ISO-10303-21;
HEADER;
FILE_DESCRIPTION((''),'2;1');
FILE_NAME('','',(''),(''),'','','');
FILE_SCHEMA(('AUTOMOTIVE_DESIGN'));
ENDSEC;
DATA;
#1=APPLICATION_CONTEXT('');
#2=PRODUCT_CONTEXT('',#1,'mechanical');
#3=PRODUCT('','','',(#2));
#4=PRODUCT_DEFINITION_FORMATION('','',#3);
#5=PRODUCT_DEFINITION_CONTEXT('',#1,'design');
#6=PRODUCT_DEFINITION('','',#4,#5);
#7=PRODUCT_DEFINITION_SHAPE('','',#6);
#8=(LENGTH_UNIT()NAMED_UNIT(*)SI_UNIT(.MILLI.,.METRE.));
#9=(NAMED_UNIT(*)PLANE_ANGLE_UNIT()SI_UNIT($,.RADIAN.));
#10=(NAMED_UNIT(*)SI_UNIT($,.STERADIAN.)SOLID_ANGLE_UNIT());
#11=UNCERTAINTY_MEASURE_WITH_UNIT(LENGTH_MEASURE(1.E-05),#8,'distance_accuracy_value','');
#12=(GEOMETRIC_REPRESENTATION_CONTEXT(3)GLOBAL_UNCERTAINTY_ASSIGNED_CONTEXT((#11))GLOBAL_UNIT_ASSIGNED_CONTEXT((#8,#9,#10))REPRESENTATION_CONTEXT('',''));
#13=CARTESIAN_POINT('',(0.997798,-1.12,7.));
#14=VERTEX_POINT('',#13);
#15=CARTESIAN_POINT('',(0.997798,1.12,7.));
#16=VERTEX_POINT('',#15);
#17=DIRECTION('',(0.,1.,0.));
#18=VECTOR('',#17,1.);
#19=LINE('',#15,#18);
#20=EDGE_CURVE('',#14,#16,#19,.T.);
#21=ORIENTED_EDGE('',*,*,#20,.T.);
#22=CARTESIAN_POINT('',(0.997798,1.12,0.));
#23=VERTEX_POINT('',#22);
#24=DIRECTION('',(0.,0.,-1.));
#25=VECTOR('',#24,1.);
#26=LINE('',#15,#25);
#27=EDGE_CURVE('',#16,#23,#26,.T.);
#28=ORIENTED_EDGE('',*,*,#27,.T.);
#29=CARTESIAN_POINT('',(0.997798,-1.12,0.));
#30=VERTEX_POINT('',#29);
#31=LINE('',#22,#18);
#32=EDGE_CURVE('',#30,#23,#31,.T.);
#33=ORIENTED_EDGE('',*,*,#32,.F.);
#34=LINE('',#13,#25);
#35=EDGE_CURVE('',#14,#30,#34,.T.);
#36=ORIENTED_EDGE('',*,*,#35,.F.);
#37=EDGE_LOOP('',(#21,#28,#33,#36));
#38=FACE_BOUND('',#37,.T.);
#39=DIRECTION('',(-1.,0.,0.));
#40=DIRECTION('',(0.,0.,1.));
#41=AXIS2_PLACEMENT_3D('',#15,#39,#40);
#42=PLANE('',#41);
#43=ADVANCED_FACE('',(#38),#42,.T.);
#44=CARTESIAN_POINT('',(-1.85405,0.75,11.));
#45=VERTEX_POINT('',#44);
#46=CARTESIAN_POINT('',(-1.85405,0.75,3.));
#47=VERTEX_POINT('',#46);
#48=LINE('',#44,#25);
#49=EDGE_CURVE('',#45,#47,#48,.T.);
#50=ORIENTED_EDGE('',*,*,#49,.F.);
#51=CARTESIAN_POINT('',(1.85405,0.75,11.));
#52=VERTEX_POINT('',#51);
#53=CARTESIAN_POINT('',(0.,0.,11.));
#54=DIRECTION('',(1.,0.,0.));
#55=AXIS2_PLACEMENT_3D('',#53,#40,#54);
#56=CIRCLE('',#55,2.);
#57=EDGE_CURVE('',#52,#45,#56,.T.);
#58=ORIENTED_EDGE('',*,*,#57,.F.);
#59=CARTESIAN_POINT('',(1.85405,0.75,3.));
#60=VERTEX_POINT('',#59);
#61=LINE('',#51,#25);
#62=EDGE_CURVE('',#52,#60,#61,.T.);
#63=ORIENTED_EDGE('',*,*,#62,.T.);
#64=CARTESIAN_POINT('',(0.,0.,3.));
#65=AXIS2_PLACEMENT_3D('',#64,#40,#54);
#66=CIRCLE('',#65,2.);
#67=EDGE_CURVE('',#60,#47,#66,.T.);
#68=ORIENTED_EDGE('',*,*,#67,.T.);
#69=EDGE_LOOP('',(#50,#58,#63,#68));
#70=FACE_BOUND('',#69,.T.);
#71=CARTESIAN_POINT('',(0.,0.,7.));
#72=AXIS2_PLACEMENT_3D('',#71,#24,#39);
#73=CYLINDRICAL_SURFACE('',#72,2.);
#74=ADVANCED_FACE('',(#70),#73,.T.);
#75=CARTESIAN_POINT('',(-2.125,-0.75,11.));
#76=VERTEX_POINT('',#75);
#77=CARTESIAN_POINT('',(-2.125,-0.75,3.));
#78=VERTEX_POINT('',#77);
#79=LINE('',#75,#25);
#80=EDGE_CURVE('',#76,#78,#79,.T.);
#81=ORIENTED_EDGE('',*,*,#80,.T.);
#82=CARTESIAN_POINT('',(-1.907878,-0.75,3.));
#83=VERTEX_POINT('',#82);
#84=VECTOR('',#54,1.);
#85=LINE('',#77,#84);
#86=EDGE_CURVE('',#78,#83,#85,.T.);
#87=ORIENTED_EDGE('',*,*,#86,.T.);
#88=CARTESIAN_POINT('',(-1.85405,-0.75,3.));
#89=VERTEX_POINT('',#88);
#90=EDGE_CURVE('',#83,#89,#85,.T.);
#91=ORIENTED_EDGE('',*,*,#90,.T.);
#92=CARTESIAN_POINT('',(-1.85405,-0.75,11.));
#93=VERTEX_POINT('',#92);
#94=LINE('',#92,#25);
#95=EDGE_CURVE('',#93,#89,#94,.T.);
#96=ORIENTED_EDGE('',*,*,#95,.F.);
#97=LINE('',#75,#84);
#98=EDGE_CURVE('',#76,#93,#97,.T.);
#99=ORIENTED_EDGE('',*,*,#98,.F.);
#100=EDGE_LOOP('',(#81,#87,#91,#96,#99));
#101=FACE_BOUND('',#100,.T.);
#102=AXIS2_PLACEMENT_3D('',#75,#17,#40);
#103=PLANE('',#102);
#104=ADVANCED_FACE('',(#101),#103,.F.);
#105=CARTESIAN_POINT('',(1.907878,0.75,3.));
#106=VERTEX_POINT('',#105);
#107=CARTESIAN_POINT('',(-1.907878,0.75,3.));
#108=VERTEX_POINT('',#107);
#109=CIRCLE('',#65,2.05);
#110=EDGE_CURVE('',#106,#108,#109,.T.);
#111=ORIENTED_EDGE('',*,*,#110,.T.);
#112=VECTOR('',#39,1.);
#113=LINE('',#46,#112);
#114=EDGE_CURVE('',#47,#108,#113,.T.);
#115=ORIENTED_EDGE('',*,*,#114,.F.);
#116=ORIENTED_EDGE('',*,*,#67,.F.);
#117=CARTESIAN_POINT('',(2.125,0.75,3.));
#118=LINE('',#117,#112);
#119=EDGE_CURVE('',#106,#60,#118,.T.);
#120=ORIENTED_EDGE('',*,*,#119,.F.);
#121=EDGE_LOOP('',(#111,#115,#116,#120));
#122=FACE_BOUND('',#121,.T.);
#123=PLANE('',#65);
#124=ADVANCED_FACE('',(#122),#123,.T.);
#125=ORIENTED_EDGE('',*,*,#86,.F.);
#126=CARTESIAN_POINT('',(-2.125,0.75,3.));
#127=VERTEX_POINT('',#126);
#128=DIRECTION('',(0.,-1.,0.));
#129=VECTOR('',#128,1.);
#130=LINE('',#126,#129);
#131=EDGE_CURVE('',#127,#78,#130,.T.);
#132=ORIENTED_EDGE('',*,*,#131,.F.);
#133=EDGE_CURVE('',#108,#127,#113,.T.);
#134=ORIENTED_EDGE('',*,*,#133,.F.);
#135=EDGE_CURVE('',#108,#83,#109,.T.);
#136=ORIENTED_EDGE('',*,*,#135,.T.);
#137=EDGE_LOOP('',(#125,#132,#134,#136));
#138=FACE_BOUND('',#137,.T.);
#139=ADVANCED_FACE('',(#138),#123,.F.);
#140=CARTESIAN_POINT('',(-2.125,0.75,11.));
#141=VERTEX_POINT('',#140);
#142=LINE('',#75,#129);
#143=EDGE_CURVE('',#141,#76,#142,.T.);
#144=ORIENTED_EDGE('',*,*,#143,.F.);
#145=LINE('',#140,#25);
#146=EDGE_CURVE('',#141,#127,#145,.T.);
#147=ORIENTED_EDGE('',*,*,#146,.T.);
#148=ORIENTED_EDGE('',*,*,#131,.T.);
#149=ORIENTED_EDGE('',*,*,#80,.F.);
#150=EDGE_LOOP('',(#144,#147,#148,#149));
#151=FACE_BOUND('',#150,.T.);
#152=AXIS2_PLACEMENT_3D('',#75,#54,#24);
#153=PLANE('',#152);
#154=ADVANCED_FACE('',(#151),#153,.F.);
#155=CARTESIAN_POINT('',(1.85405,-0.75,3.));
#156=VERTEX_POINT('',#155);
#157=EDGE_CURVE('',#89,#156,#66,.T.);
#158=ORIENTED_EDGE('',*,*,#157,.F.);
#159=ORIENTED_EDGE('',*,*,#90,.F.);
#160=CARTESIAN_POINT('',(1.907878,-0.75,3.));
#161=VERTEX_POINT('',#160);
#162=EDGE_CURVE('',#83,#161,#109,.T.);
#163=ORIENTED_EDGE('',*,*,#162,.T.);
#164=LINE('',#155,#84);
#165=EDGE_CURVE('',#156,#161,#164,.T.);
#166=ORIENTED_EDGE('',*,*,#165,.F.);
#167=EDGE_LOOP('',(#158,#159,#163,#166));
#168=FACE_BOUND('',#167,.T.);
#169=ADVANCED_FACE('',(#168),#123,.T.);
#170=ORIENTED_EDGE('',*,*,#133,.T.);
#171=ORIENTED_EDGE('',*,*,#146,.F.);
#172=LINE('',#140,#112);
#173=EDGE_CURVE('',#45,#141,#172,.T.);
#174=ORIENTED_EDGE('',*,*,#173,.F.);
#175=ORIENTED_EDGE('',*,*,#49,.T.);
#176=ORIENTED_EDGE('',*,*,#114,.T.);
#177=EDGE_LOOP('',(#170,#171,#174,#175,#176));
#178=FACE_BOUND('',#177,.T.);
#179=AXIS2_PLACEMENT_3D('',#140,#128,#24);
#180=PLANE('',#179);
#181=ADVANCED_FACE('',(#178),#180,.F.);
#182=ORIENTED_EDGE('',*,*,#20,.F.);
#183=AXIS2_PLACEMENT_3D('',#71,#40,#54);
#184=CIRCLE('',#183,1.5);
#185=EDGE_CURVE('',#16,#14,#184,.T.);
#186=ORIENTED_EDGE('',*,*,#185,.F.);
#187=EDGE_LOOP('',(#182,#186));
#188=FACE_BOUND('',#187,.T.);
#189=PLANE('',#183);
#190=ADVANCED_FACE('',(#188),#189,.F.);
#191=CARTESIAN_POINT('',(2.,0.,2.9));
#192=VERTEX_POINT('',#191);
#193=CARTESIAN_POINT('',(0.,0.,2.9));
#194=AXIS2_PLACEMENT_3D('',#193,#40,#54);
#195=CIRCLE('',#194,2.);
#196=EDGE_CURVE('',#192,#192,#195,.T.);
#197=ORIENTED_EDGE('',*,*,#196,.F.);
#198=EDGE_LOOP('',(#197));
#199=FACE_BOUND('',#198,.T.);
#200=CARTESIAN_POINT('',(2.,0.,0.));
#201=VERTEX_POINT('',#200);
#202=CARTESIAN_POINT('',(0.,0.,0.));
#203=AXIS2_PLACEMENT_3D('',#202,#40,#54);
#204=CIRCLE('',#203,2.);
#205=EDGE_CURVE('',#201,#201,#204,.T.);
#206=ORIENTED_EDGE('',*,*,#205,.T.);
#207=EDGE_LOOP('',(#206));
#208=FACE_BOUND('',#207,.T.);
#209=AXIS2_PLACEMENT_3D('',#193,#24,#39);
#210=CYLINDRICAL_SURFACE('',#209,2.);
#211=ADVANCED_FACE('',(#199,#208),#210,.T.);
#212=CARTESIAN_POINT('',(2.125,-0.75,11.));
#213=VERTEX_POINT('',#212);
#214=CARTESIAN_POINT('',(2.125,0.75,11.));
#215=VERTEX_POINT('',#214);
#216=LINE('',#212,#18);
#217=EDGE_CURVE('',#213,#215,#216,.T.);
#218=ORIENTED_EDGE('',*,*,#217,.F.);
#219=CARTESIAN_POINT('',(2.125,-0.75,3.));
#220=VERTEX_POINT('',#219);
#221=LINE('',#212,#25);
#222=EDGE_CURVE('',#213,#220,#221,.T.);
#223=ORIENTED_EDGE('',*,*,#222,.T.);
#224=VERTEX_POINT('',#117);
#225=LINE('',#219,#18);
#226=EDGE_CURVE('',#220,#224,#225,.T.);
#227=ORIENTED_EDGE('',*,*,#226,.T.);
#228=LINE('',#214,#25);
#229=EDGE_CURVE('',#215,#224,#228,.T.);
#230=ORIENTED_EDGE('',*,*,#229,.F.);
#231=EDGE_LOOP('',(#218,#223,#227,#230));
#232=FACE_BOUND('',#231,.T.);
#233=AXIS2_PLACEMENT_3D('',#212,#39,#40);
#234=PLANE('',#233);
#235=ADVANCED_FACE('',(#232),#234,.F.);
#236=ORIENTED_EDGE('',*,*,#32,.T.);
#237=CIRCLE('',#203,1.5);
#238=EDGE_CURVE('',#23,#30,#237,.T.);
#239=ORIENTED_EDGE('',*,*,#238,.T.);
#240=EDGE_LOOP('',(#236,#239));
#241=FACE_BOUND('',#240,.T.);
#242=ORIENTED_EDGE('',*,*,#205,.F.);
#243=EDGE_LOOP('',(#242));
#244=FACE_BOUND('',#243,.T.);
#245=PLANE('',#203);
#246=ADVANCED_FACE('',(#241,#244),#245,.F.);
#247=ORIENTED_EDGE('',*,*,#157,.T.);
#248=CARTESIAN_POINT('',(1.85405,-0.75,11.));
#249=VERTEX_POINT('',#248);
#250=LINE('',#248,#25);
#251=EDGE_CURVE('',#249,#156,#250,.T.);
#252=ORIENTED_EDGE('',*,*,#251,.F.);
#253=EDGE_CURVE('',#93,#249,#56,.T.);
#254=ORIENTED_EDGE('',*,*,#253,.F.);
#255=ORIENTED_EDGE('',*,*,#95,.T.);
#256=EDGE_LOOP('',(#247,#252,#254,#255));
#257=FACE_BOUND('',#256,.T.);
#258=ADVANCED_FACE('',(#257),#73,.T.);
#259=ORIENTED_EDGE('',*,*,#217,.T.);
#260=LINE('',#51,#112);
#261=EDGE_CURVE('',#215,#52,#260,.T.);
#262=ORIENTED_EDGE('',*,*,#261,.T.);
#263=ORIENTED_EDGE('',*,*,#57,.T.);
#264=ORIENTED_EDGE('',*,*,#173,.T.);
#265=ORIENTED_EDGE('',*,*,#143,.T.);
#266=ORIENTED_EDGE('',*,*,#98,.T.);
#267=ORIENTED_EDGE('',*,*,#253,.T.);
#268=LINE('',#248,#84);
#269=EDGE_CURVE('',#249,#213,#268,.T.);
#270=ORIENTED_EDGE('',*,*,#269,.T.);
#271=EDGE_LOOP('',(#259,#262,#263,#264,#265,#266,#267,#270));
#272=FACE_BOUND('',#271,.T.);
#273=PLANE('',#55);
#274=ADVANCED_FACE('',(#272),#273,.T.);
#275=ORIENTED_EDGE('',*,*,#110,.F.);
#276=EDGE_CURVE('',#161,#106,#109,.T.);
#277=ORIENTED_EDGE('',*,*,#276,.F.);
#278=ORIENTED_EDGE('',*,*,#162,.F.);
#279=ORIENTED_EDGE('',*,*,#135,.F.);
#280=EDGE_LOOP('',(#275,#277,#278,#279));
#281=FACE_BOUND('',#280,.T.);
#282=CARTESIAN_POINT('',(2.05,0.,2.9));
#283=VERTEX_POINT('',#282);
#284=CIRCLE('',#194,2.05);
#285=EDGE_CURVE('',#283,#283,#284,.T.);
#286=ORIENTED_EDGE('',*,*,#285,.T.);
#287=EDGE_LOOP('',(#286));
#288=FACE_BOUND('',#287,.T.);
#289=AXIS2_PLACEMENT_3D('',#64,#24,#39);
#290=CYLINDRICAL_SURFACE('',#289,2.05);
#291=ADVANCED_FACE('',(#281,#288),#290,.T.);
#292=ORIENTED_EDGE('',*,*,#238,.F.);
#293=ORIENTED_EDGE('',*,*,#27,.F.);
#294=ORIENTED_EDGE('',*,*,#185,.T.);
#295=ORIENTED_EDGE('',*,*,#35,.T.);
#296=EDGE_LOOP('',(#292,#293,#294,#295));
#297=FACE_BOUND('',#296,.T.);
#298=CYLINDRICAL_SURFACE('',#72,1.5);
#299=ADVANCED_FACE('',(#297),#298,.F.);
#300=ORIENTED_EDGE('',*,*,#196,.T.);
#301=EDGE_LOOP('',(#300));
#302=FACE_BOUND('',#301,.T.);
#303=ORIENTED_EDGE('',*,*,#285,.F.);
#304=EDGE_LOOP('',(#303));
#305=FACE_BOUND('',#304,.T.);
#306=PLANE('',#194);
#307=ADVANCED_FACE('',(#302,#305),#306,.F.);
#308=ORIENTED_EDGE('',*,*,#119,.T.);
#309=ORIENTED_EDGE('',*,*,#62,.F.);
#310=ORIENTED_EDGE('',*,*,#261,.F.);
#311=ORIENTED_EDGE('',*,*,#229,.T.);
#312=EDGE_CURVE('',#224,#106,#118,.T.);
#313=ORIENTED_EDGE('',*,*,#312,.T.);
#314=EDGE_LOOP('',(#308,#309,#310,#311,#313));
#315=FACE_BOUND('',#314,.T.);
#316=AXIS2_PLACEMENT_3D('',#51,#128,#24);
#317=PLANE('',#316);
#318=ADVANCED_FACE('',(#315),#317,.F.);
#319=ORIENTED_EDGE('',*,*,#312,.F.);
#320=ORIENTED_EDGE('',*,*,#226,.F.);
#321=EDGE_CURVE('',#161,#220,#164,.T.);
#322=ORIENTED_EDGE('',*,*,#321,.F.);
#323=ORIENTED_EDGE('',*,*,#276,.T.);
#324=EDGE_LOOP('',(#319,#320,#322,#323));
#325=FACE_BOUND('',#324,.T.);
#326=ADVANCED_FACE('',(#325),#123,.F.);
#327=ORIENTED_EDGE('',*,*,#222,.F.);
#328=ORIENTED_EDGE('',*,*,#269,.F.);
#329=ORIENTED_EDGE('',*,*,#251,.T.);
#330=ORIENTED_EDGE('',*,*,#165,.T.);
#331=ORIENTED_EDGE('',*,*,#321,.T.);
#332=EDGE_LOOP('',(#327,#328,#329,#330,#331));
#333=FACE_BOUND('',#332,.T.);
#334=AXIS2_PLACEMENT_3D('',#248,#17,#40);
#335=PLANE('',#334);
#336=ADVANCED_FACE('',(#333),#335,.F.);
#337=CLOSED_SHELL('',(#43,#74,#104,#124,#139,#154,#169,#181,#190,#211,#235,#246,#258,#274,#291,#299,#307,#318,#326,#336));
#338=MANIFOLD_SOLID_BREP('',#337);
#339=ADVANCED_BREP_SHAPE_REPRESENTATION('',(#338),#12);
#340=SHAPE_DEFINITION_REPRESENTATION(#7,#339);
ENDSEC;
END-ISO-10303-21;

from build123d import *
from build123d.topology import SkipClean

# Parameters (mm, degrees)
SKETCH1_R           = 2
BOSS_EXTRUDE1_DEPTH = 7
SKETCH2_R           = 2.05
SKETCH2_R_2         = 2
BOSS_EXTRUDE3_DEPTH = 3
SKETCH3_R           = 2.05
SKETCH3_R_2         = 2
CUT_EXTRUDE1_DEPTH  = 2.9
BOSS_EXTRUDE4_DEPTH = 4
BOSS_EXTRUDE5_START = -8
BOSS_EXTRUDE5_DEPTH = 8


with BuildPart() as part:
    # Sketch1 → Boss-Extrude1 (new body)
    with BuildSketch(Plane.XY):
        Circle(SKETCH1_R)
        with BuildLine():
            Line((0.997797575, 1.12), (0.997797575, -1.12))
            ThreePointArc((0.997797575, -1.12), (-1.5, 0), (0.997797575, 1.12))
        make_face(mode=Mode.SUBTRACT)
    extrude(amount=BOSS_EXTRUDE1_DEPTH)

    # Sketch2 → Boss-Extrude3 (add)
    with BuildSketch(Plane.XY):
        Circle(SKETCH2_R)
        Circle(SKETCH2_R_2, mode=Mode.SUBTRACT)
    extrude(amount=BOSS_EXTRUDE3_DEPTH)

    # Sketch3 → Cut-Extrude1 (cut)
    with BuildSketch(Plane.XY):
        Circle(SKETCH3_R)
        Circle(SKETCH3_R_2, mode=Mode.SUBTRACT)
    extrude(amount=CUT_EXTRUDE1_DEPTH, mode=Mode.SUBTRACT)

    # Sketch4 → Boss-Extrude4 (add)
    with SkipClean():  # the faces are left unmerged after this step: merging them gives an invalid solid
        with BuildSketch(Plane.XY.offset(7)):
            with BuildLine():
                Line((1.854049622, 0.75), (2.125, 0.75))
                Line((2.125, 0.75), (2.125, -0.75))
                Line((2.125, -0.75), (1.854049622, -0.75))
                ThreePointArc((1.854049622, -0.75), (0, -2), (-1.854049622, -0.75))
                Line((-1.854049622, -0.75), (-2.125, -0.75))
                Line((-2.125, -0.75), (-2.125, 0.75))
                Line((-2.125, 0.75), (-1.854049622, 0.75))
                ThreePointArc((-1.854049622, 0.75), (0, 2), (1.854049622, 0.75))
            make_face()
        extrude(amount=BOSS_EXTRUDE4_DEPTH)

    # Sketch8 → Boss-Extrude5 (add)
    with BuildSketch(Plane.XY.offset(11).offset(BOSS_EXTRUDE5_START)):
        with BuildLine():
            Line((1.854049622, -0.75), (2.125, -0.75))
            Line((2.125, -0.75), (2.125, 0.75))
            Line((2.125, 0.75), (1.854049622, 0.75))
            ThreePointArc((1.854049622, 0.75), (2, 0), (1.854049622, -0.75))
        make_face()
        with BuildLine():
            Line((-2.125, -0.75), (-1.854049622, -0.75))
            ThreePointArc((-1.854049622, -0.75), (-2, 0), (-1.854049622, 0.75))
            Line((-1.854049622, 0.75), (-2.125, 0.75))
            Line((-2.125, 0.75), (-2.125, -0.75))
        make_face()
    extrude(amount=BOSS_EXTRUDE5_DEPTH)


solid = part.part
